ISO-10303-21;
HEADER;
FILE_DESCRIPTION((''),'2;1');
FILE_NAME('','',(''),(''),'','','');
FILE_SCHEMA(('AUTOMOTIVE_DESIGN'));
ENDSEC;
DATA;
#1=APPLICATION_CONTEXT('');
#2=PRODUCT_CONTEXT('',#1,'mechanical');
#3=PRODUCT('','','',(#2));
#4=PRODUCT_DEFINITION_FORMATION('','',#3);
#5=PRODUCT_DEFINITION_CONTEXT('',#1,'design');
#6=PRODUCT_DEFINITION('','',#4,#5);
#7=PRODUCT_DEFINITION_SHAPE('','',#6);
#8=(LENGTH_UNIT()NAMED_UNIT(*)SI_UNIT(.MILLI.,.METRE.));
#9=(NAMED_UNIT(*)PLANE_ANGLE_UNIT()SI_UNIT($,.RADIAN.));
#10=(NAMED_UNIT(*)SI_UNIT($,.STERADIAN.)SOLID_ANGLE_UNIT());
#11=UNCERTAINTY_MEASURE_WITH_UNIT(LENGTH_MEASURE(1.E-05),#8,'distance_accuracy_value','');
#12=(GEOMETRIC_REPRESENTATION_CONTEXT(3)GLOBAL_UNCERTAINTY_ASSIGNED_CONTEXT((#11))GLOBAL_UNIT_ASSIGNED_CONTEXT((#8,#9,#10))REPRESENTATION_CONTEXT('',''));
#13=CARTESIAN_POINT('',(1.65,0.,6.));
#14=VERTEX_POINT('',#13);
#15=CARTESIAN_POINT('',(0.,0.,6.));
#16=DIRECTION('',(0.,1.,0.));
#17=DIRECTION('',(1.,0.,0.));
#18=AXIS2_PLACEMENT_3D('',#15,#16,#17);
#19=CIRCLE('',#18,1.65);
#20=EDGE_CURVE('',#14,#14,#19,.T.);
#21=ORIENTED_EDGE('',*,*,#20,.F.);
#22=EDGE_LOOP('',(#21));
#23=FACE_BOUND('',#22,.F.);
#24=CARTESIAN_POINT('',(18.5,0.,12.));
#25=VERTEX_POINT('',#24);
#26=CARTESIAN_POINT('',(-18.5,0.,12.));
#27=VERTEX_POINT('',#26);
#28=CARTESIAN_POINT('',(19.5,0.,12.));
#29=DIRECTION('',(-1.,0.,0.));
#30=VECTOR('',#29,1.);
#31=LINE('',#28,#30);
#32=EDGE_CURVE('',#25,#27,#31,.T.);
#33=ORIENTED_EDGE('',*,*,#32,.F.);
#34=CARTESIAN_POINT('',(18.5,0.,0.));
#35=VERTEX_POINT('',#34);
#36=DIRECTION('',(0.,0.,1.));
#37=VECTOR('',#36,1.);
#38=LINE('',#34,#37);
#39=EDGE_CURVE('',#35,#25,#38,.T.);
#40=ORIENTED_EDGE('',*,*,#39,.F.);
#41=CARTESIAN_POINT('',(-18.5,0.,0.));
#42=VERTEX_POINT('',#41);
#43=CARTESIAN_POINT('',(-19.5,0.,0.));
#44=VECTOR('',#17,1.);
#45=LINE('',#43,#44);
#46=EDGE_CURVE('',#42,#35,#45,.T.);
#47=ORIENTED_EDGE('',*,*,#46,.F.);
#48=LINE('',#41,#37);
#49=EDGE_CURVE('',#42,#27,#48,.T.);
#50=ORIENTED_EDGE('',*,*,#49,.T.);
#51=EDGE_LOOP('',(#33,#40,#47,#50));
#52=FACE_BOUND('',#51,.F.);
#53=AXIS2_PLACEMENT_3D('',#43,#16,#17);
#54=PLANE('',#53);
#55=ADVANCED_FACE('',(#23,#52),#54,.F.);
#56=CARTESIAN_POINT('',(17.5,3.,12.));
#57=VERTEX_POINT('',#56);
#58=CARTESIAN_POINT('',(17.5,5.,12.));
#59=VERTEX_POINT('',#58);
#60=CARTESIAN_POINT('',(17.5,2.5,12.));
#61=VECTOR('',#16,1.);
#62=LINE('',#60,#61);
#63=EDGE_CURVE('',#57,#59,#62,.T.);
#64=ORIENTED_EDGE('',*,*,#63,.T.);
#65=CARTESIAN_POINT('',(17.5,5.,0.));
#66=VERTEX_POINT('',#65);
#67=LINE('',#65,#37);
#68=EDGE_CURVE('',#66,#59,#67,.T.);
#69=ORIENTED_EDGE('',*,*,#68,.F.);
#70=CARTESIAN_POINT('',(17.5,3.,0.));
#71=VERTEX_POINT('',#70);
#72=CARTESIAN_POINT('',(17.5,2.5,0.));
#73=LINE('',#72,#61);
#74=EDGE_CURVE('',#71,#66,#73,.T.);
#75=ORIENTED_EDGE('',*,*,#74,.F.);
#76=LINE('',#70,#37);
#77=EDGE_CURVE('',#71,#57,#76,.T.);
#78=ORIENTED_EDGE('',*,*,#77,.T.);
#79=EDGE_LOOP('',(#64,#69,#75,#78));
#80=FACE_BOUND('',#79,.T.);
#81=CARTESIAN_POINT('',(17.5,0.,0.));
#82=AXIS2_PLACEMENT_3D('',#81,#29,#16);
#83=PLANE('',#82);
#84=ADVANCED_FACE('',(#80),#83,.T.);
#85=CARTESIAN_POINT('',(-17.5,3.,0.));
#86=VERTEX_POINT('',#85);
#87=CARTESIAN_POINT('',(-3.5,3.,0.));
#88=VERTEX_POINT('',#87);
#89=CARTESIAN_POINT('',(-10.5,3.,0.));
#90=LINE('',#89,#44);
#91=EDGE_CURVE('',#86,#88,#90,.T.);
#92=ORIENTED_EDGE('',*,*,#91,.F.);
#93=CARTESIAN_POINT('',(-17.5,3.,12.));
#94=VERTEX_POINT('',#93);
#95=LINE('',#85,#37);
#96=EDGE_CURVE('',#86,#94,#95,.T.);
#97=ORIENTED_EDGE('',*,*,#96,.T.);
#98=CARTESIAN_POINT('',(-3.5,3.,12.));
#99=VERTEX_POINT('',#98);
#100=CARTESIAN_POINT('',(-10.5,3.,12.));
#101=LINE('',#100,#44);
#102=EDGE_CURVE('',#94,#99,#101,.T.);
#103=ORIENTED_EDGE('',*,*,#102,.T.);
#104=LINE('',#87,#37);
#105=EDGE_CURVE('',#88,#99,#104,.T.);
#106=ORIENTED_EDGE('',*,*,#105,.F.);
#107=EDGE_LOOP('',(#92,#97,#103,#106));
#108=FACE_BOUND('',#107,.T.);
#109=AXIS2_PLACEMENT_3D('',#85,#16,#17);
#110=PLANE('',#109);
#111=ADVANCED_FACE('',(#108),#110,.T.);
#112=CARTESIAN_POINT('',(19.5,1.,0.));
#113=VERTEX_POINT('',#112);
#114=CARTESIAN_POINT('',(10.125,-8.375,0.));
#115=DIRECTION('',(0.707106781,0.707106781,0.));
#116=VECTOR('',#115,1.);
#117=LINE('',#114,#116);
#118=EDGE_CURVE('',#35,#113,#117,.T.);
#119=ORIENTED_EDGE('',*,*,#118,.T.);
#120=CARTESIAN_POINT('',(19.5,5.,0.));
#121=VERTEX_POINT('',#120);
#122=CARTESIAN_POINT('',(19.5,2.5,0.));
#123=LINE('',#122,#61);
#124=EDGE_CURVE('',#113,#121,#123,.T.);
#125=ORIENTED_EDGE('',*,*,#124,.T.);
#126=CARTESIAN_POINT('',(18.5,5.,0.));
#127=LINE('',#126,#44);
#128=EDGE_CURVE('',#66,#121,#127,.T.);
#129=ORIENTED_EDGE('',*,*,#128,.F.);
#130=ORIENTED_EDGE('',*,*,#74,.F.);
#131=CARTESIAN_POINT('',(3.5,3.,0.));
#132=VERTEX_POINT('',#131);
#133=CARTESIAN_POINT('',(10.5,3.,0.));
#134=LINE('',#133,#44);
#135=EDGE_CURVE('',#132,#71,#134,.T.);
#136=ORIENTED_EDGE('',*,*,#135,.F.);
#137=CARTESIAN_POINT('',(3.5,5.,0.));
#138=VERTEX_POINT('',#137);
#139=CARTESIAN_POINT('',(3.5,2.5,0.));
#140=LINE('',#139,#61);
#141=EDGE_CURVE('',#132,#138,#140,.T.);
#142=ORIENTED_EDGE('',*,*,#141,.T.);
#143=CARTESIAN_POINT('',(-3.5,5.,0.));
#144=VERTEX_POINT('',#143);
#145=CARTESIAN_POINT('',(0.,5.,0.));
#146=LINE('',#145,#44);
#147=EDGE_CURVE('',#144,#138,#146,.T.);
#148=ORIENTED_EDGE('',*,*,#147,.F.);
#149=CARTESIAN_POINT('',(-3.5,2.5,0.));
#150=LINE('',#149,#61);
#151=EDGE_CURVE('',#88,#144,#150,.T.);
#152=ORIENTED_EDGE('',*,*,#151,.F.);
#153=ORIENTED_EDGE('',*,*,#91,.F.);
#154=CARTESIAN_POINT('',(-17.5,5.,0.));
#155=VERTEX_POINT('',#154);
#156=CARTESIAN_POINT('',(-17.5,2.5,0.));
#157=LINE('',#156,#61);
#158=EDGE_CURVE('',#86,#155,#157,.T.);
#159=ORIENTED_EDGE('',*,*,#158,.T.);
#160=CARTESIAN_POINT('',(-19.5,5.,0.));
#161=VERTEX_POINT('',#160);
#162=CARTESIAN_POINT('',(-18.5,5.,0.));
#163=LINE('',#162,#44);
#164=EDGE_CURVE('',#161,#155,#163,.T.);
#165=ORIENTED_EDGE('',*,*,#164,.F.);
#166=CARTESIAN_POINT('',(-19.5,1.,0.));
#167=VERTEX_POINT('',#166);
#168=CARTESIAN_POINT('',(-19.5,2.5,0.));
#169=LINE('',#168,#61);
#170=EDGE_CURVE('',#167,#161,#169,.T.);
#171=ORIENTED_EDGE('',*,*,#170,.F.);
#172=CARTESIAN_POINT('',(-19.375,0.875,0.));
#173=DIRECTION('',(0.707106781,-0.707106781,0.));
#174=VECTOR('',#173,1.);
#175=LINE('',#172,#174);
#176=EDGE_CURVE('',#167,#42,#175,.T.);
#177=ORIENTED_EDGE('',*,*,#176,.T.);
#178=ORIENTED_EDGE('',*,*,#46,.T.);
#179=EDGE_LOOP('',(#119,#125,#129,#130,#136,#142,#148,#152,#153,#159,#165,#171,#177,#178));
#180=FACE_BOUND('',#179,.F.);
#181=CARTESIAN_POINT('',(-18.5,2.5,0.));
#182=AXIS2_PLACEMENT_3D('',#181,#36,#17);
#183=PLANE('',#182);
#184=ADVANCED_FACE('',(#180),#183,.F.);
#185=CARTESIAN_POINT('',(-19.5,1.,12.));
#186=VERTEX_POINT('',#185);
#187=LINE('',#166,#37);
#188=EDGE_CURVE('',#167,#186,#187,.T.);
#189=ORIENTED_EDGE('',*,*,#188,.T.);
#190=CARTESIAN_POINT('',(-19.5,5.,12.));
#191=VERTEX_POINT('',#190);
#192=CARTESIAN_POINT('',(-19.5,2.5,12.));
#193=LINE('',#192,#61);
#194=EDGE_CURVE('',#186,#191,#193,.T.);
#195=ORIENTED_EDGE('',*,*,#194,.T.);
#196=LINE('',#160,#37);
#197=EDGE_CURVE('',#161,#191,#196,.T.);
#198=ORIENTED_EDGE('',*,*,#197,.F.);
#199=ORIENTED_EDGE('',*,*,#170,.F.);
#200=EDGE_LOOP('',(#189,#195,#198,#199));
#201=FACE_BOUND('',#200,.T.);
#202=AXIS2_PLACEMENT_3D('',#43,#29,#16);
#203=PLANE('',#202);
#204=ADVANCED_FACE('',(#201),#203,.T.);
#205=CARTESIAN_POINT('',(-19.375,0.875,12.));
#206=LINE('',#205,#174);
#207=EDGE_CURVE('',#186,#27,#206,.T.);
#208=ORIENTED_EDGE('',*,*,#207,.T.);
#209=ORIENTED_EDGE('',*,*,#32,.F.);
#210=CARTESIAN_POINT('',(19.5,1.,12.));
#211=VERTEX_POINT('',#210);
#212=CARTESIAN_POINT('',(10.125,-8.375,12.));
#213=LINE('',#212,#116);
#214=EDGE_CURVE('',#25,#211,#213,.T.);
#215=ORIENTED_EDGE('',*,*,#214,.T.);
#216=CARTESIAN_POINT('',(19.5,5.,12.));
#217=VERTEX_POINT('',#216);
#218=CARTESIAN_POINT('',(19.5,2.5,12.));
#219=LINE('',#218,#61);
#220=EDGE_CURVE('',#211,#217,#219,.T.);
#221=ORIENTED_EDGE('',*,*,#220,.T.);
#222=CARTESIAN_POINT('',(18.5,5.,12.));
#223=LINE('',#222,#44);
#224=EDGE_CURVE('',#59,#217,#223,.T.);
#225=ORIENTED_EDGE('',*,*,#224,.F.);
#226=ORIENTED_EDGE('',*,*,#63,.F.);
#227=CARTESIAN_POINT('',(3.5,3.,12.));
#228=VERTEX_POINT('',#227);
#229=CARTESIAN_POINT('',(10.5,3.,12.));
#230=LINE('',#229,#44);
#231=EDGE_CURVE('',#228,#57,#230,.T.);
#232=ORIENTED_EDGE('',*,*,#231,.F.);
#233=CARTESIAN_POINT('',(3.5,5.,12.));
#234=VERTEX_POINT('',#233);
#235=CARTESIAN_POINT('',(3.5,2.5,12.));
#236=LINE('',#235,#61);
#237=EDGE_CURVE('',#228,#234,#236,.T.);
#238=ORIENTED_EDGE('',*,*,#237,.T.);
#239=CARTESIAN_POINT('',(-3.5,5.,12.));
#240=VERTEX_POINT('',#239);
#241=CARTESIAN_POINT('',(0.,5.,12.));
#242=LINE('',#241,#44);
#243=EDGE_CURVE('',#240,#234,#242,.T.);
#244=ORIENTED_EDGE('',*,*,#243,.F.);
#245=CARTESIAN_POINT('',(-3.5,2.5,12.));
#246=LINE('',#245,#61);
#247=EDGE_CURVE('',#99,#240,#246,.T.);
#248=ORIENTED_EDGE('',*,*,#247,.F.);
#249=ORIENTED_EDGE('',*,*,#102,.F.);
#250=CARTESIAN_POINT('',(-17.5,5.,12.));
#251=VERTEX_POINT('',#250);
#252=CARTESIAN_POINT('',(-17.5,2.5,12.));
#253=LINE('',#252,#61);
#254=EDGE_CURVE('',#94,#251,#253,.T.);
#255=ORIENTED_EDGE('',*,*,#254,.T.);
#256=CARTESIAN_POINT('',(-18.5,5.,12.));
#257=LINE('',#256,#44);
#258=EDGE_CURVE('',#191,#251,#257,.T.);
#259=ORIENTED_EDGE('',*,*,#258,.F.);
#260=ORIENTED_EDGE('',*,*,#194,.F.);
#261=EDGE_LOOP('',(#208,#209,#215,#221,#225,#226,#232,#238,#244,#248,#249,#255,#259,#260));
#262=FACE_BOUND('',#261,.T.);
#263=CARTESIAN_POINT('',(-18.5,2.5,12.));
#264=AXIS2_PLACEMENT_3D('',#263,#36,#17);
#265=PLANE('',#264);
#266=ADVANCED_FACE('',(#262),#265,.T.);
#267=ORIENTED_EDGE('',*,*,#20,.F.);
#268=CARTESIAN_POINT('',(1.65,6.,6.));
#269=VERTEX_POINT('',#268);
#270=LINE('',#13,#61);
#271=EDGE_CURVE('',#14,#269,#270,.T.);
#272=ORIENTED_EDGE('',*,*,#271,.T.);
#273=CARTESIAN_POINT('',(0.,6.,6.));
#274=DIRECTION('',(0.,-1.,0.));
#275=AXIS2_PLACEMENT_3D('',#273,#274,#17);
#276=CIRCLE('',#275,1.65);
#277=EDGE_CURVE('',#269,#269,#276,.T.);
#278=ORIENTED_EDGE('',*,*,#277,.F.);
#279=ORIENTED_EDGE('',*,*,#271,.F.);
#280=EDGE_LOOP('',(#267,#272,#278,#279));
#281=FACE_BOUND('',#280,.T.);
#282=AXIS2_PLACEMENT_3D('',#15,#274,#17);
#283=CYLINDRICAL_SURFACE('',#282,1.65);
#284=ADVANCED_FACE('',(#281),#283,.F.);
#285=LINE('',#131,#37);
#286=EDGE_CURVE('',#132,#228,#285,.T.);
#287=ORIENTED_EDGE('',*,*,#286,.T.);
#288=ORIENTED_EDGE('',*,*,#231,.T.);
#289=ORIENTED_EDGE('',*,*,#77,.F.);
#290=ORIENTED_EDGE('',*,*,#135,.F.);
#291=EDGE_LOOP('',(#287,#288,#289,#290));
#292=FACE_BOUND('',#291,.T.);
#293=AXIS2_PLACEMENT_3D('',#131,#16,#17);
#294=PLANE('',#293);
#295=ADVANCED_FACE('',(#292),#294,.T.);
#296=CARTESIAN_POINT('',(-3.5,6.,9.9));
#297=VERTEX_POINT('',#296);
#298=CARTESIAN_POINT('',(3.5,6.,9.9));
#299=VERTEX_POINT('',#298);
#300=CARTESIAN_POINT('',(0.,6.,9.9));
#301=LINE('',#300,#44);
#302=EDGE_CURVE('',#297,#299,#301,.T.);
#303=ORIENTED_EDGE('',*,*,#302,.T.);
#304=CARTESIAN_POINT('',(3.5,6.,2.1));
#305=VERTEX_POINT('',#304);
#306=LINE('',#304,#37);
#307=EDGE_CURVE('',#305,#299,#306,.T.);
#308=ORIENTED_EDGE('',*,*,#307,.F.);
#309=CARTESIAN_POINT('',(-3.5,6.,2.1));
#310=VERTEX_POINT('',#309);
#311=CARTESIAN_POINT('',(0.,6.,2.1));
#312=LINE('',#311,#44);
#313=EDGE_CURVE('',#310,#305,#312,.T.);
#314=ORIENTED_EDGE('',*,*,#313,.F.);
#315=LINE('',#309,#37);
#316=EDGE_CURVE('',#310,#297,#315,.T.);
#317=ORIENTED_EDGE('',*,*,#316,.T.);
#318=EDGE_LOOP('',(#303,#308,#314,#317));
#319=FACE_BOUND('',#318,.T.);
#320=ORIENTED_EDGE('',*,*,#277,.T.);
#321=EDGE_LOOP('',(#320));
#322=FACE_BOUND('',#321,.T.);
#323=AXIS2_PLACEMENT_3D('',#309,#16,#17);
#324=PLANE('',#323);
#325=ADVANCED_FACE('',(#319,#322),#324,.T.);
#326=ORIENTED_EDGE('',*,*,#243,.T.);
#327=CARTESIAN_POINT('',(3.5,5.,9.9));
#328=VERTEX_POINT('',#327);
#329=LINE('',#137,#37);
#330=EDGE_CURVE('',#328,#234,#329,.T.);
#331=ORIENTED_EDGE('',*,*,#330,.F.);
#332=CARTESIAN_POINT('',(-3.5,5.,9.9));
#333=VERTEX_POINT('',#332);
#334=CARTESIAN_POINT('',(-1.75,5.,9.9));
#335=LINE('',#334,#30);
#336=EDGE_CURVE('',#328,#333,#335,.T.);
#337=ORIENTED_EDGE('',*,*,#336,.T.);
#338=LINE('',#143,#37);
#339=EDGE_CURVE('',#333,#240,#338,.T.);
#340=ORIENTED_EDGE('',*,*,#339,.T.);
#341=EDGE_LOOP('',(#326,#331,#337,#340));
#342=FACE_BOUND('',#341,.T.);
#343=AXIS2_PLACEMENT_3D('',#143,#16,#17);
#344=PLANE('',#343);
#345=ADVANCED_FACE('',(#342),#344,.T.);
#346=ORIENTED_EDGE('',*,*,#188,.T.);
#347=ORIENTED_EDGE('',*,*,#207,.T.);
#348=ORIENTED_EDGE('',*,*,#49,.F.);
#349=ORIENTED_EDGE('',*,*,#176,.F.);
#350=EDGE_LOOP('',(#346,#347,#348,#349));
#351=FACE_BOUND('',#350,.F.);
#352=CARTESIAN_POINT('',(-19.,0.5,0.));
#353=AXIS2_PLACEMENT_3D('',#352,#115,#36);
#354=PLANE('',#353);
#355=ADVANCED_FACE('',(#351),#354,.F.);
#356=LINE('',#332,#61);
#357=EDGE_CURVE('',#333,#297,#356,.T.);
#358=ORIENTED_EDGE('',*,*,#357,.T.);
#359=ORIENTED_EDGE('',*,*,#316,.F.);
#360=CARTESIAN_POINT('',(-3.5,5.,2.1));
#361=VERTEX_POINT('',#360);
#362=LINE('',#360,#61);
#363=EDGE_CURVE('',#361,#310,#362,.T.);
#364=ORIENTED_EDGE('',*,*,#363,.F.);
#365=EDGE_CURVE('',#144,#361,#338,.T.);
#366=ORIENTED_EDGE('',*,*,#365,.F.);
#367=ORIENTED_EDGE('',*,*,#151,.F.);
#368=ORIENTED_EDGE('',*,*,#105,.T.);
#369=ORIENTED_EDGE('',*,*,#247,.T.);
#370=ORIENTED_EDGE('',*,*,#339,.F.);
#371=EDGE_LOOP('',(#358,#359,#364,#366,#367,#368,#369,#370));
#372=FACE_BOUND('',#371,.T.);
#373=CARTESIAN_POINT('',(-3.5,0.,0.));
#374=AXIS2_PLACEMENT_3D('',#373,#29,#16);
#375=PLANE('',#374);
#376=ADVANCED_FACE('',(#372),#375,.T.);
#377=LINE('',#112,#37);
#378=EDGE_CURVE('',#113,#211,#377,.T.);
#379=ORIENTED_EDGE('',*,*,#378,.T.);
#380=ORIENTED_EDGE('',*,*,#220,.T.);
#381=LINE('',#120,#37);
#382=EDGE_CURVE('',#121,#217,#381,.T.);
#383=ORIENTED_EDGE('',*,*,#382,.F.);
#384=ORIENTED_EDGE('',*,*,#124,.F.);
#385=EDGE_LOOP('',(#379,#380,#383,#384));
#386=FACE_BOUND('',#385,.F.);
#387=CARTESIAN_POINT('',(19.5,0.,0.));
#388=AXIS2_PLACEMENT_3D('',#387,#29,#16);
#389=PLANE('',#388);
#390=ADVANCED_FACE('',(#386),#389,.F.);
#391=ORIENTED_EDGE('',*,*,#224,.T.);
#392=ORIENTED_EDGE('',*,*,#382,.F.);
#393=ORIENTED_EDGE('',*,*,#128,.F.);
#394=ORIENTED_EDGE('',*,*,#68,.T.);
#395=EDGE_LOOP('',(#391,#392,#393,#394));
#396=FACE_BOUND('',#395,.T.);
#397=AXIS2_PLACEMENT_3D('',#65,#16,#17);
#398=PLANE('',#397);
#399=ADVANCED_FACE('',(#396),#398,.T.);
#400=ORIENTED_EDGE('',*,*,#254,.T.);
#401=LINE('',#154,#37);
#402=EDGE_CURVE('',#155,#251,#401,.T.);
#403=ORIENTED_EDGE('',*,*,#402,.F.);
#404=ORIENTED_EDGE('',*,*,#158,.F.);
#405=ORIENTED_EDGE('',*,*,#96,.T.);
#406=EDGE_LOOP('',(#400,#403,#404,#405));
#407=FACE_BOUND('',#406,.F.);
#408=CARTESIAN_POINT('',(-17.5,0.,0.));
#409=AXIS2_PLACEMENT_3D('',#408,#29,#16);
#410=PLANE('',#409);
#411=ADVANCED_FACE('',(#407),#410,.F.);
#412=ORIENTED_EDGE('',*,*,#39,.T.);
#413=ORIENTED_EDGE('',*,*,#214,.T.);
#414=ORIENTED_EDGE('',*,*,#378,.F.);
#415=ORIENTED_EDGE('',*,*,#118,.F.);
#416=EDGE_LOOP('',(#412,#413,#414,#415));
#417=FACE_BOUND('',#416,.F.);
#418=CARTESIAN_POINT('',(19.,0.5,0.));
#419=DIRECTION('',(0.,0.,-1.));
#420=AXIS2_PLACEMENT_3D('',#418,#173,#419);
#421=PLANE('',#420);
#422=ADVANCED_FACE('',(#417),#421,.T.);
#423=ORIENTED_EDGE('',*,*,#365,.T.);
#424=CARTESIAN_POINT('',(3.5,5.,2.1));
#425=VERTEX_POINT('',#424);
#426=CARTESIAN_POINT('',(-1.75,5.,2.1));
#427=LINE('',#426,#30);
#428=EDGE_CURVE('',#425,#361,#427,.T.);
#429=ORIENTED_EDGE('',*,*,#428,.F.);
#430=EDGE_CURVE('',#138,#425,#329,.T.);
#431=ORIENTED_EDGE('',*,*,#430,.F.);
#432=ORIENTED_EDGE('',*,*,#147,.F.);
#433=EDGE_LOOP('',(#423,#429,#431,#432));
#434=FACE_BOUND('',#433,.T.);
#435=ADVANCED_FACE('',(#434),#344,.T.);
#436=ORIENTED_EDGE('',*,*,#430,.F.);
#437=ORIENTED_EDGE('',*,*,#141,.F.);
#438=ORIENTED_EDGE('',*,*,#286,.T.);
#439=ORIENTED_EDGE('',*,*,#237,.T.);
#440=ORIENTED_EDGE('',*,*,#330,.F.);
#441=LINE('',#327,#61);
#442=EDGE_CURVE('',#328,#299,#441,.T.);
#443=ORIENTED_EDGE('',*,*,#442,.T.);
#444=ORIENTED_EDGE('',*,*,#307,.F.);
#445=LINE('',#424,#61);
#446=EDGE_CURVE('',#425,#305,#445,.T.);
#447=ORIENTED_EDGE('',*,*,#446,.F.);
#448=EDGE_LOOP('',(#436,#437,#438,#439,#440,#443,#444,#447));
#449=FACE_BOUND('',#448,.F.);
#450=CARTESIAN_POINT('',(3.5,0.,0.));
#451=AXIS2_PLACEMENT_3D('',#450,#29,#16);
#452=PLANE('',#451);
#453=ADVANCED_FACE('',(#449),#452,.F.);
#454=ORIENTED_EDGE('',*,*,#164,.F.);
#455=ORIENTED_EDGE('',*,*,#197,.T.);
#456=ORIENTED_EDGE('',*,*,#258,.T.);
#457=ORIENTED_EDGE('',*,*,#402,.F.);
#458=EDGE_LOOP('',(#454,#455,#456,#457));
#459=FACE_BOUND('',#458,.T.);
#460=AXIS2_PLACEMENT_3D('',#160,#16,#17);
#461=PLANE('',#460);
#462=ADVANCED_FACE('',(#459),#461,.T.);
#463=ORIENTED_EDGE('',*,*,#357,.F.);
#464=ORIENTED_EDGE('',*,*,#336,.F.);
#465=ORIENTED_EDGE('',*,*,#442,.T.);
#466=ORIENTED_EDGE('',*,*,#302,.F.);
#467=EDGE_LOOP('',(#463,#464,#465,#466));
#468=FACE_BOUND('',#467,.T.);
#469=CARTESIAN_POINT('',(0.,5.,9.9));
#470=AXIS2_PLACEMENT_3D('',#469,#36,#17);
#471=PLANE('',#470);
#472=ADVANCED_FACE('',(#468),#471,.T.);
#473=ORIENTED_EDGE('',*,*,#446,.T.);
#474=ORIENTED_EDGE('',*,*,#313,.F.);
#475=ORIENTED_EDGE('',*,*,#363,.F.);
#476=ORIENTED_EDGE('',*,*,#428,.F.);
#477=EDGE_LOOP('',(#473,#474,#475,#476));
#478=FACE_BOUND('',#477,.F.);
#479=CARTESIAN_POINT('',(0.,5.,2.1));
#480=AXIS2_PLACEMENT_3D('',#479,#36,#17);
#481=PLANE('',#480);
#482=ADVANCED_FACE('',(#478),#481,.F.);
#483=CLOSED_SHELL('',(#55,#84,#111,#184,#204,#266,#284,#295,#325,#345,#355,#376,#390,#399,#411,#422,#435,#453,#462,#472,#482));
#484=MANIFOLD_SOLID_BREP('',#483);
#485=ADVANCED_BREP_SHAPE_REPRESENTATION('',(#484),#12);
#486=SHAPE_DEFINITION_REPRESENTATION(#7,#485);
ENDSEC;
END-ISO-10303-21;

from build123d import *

# Parameters (mm, degrees)
CYLINDER002_R     = 1.65
CYLINDER002_DEPTH = 10
BOX005_W          = 7
BOX005_H          = 5
BOX005_DEPTH      = 12
BOX006_W          = 14
BOX006_H          = 3
BOX006_DEPTH      = 12
BOX007_W          = 2
BOX007_H          = 5
BOX007_DEPTH      = 12
BOX008_W          = 14
BOX008_H          = 3
BOX008_DEPTH      = 12
BOX009_W          = 2
BOX009_H          = 5
BOX009_DEPTH      = 12
BOX010_W          = 7
BOX010_H          = 2
BOX010_DEPTH      = 7.8
CHAMFER005_SIZE   = 1


with BuildPart() as cylinder002:
    # Cylinder002 → Cylinder002 (new body)
    with BuildSketch(Plane(origin=(0, 0, 6), x_dir=(1, 0, 0), z_dir=(0, 1, 0))):
        Circle(CYLINDER002_R)
    extrude(amount=CYLINDER002_DEPTH)


with BuildPart() as cube005:
    # Box005 → Box005 (new body)
    with BuildSketch(Plane(origin=(-3.5, 0, 0), x_dir=(1, 0, 0), z_dir=(0, 0, 1))):
        with Locations((3.5, 2.5)):
            Rectangle(BOX005_W, BOX005_H)
    extrude(amount=BOX005_DEPTH)


with BuildPart() as cube006:
    # Box006 → Box006 (new body)
    with BuildSketch(Plane(origin=(3.5, 0, 0), x_dir=(1, 0, 0), z_dir=(0, 0, 1))):
        with Locations((7, 1.5)):
            Rectangle(BOX006_W, BOX006_H)
    extrude(amount=BOX006_DEPTH)


with BuildPart() as cube007:
    # Box007 → Box007 (new body)
    with BuildSketch(Plane(origin=(17.5, 0, 0), x_dir=(1, 0, 0), z_dir=(0, 0, 1))):
        with Locations((1, 2.5)):
            Rectangle(BOX007_W, BOX007_H)
    extrude(amount=BOX007_DEPTH)


with BuildPart() as cube008:
    # Box008 → Box008 (new body)
    with BuildSketch(Plane(origin=(-17.5, 0, 0), x_dir=(1, 0, 0), z_dir=(0, 0, 1))):
        with Locations((7, 1.5)):
            Rectangle(BOX008_W, BOX008_H)
    extrude(amount=BOX008_DEPTH)


with BuildPart() as cube009:
    # Box009 → Box009 (new body)
    with BuildSketch(Plane(origin=(-19.5, 0, 0), x_dir=(1, 0, 0), z_dir=(0, 0, 1))):
        with Locations((1, 2.5)):
            Rectangle(BOX009_W, BOX009_H)
    extrude(amount=BOX009_DEPTH)


with BuildPart() as chamfer005:
    # Box010 → Box010 (new body)
    with BuildSketch(Plane(origin=(-3.5, 4, 2.1), x_dir=(1, 0, 0), z_dir=(0, 0, 1))):
        with Locations((3.5, 1)):
            Rectangle(BOX010_W, BOX010_H)
    extrude(amount=BOX010_DEPTH)

    # Fusion003: union Cube005, Cube006, Cube007, Cube008, Cube009
    add(cube005.part)
    add(cube006.part)
    add(cube007.part)
    add(cube008.part)
    add(cube009.part)

    # Cut003: cut Cylinder002
    add(cylinder002.part, mode=Mode.SUBTRACT)

    # Chamfer005
    chamfer005_edges = [chamfer005.edges().sort_by_distance(p)[0] for p in [
        (-19.5, 0, 6),
        (19.5, 0, 6),
    ]]
    chamfer(chamfer005_edges, length=CHAMFER005_SIZE)


solid = chamfer005.part
